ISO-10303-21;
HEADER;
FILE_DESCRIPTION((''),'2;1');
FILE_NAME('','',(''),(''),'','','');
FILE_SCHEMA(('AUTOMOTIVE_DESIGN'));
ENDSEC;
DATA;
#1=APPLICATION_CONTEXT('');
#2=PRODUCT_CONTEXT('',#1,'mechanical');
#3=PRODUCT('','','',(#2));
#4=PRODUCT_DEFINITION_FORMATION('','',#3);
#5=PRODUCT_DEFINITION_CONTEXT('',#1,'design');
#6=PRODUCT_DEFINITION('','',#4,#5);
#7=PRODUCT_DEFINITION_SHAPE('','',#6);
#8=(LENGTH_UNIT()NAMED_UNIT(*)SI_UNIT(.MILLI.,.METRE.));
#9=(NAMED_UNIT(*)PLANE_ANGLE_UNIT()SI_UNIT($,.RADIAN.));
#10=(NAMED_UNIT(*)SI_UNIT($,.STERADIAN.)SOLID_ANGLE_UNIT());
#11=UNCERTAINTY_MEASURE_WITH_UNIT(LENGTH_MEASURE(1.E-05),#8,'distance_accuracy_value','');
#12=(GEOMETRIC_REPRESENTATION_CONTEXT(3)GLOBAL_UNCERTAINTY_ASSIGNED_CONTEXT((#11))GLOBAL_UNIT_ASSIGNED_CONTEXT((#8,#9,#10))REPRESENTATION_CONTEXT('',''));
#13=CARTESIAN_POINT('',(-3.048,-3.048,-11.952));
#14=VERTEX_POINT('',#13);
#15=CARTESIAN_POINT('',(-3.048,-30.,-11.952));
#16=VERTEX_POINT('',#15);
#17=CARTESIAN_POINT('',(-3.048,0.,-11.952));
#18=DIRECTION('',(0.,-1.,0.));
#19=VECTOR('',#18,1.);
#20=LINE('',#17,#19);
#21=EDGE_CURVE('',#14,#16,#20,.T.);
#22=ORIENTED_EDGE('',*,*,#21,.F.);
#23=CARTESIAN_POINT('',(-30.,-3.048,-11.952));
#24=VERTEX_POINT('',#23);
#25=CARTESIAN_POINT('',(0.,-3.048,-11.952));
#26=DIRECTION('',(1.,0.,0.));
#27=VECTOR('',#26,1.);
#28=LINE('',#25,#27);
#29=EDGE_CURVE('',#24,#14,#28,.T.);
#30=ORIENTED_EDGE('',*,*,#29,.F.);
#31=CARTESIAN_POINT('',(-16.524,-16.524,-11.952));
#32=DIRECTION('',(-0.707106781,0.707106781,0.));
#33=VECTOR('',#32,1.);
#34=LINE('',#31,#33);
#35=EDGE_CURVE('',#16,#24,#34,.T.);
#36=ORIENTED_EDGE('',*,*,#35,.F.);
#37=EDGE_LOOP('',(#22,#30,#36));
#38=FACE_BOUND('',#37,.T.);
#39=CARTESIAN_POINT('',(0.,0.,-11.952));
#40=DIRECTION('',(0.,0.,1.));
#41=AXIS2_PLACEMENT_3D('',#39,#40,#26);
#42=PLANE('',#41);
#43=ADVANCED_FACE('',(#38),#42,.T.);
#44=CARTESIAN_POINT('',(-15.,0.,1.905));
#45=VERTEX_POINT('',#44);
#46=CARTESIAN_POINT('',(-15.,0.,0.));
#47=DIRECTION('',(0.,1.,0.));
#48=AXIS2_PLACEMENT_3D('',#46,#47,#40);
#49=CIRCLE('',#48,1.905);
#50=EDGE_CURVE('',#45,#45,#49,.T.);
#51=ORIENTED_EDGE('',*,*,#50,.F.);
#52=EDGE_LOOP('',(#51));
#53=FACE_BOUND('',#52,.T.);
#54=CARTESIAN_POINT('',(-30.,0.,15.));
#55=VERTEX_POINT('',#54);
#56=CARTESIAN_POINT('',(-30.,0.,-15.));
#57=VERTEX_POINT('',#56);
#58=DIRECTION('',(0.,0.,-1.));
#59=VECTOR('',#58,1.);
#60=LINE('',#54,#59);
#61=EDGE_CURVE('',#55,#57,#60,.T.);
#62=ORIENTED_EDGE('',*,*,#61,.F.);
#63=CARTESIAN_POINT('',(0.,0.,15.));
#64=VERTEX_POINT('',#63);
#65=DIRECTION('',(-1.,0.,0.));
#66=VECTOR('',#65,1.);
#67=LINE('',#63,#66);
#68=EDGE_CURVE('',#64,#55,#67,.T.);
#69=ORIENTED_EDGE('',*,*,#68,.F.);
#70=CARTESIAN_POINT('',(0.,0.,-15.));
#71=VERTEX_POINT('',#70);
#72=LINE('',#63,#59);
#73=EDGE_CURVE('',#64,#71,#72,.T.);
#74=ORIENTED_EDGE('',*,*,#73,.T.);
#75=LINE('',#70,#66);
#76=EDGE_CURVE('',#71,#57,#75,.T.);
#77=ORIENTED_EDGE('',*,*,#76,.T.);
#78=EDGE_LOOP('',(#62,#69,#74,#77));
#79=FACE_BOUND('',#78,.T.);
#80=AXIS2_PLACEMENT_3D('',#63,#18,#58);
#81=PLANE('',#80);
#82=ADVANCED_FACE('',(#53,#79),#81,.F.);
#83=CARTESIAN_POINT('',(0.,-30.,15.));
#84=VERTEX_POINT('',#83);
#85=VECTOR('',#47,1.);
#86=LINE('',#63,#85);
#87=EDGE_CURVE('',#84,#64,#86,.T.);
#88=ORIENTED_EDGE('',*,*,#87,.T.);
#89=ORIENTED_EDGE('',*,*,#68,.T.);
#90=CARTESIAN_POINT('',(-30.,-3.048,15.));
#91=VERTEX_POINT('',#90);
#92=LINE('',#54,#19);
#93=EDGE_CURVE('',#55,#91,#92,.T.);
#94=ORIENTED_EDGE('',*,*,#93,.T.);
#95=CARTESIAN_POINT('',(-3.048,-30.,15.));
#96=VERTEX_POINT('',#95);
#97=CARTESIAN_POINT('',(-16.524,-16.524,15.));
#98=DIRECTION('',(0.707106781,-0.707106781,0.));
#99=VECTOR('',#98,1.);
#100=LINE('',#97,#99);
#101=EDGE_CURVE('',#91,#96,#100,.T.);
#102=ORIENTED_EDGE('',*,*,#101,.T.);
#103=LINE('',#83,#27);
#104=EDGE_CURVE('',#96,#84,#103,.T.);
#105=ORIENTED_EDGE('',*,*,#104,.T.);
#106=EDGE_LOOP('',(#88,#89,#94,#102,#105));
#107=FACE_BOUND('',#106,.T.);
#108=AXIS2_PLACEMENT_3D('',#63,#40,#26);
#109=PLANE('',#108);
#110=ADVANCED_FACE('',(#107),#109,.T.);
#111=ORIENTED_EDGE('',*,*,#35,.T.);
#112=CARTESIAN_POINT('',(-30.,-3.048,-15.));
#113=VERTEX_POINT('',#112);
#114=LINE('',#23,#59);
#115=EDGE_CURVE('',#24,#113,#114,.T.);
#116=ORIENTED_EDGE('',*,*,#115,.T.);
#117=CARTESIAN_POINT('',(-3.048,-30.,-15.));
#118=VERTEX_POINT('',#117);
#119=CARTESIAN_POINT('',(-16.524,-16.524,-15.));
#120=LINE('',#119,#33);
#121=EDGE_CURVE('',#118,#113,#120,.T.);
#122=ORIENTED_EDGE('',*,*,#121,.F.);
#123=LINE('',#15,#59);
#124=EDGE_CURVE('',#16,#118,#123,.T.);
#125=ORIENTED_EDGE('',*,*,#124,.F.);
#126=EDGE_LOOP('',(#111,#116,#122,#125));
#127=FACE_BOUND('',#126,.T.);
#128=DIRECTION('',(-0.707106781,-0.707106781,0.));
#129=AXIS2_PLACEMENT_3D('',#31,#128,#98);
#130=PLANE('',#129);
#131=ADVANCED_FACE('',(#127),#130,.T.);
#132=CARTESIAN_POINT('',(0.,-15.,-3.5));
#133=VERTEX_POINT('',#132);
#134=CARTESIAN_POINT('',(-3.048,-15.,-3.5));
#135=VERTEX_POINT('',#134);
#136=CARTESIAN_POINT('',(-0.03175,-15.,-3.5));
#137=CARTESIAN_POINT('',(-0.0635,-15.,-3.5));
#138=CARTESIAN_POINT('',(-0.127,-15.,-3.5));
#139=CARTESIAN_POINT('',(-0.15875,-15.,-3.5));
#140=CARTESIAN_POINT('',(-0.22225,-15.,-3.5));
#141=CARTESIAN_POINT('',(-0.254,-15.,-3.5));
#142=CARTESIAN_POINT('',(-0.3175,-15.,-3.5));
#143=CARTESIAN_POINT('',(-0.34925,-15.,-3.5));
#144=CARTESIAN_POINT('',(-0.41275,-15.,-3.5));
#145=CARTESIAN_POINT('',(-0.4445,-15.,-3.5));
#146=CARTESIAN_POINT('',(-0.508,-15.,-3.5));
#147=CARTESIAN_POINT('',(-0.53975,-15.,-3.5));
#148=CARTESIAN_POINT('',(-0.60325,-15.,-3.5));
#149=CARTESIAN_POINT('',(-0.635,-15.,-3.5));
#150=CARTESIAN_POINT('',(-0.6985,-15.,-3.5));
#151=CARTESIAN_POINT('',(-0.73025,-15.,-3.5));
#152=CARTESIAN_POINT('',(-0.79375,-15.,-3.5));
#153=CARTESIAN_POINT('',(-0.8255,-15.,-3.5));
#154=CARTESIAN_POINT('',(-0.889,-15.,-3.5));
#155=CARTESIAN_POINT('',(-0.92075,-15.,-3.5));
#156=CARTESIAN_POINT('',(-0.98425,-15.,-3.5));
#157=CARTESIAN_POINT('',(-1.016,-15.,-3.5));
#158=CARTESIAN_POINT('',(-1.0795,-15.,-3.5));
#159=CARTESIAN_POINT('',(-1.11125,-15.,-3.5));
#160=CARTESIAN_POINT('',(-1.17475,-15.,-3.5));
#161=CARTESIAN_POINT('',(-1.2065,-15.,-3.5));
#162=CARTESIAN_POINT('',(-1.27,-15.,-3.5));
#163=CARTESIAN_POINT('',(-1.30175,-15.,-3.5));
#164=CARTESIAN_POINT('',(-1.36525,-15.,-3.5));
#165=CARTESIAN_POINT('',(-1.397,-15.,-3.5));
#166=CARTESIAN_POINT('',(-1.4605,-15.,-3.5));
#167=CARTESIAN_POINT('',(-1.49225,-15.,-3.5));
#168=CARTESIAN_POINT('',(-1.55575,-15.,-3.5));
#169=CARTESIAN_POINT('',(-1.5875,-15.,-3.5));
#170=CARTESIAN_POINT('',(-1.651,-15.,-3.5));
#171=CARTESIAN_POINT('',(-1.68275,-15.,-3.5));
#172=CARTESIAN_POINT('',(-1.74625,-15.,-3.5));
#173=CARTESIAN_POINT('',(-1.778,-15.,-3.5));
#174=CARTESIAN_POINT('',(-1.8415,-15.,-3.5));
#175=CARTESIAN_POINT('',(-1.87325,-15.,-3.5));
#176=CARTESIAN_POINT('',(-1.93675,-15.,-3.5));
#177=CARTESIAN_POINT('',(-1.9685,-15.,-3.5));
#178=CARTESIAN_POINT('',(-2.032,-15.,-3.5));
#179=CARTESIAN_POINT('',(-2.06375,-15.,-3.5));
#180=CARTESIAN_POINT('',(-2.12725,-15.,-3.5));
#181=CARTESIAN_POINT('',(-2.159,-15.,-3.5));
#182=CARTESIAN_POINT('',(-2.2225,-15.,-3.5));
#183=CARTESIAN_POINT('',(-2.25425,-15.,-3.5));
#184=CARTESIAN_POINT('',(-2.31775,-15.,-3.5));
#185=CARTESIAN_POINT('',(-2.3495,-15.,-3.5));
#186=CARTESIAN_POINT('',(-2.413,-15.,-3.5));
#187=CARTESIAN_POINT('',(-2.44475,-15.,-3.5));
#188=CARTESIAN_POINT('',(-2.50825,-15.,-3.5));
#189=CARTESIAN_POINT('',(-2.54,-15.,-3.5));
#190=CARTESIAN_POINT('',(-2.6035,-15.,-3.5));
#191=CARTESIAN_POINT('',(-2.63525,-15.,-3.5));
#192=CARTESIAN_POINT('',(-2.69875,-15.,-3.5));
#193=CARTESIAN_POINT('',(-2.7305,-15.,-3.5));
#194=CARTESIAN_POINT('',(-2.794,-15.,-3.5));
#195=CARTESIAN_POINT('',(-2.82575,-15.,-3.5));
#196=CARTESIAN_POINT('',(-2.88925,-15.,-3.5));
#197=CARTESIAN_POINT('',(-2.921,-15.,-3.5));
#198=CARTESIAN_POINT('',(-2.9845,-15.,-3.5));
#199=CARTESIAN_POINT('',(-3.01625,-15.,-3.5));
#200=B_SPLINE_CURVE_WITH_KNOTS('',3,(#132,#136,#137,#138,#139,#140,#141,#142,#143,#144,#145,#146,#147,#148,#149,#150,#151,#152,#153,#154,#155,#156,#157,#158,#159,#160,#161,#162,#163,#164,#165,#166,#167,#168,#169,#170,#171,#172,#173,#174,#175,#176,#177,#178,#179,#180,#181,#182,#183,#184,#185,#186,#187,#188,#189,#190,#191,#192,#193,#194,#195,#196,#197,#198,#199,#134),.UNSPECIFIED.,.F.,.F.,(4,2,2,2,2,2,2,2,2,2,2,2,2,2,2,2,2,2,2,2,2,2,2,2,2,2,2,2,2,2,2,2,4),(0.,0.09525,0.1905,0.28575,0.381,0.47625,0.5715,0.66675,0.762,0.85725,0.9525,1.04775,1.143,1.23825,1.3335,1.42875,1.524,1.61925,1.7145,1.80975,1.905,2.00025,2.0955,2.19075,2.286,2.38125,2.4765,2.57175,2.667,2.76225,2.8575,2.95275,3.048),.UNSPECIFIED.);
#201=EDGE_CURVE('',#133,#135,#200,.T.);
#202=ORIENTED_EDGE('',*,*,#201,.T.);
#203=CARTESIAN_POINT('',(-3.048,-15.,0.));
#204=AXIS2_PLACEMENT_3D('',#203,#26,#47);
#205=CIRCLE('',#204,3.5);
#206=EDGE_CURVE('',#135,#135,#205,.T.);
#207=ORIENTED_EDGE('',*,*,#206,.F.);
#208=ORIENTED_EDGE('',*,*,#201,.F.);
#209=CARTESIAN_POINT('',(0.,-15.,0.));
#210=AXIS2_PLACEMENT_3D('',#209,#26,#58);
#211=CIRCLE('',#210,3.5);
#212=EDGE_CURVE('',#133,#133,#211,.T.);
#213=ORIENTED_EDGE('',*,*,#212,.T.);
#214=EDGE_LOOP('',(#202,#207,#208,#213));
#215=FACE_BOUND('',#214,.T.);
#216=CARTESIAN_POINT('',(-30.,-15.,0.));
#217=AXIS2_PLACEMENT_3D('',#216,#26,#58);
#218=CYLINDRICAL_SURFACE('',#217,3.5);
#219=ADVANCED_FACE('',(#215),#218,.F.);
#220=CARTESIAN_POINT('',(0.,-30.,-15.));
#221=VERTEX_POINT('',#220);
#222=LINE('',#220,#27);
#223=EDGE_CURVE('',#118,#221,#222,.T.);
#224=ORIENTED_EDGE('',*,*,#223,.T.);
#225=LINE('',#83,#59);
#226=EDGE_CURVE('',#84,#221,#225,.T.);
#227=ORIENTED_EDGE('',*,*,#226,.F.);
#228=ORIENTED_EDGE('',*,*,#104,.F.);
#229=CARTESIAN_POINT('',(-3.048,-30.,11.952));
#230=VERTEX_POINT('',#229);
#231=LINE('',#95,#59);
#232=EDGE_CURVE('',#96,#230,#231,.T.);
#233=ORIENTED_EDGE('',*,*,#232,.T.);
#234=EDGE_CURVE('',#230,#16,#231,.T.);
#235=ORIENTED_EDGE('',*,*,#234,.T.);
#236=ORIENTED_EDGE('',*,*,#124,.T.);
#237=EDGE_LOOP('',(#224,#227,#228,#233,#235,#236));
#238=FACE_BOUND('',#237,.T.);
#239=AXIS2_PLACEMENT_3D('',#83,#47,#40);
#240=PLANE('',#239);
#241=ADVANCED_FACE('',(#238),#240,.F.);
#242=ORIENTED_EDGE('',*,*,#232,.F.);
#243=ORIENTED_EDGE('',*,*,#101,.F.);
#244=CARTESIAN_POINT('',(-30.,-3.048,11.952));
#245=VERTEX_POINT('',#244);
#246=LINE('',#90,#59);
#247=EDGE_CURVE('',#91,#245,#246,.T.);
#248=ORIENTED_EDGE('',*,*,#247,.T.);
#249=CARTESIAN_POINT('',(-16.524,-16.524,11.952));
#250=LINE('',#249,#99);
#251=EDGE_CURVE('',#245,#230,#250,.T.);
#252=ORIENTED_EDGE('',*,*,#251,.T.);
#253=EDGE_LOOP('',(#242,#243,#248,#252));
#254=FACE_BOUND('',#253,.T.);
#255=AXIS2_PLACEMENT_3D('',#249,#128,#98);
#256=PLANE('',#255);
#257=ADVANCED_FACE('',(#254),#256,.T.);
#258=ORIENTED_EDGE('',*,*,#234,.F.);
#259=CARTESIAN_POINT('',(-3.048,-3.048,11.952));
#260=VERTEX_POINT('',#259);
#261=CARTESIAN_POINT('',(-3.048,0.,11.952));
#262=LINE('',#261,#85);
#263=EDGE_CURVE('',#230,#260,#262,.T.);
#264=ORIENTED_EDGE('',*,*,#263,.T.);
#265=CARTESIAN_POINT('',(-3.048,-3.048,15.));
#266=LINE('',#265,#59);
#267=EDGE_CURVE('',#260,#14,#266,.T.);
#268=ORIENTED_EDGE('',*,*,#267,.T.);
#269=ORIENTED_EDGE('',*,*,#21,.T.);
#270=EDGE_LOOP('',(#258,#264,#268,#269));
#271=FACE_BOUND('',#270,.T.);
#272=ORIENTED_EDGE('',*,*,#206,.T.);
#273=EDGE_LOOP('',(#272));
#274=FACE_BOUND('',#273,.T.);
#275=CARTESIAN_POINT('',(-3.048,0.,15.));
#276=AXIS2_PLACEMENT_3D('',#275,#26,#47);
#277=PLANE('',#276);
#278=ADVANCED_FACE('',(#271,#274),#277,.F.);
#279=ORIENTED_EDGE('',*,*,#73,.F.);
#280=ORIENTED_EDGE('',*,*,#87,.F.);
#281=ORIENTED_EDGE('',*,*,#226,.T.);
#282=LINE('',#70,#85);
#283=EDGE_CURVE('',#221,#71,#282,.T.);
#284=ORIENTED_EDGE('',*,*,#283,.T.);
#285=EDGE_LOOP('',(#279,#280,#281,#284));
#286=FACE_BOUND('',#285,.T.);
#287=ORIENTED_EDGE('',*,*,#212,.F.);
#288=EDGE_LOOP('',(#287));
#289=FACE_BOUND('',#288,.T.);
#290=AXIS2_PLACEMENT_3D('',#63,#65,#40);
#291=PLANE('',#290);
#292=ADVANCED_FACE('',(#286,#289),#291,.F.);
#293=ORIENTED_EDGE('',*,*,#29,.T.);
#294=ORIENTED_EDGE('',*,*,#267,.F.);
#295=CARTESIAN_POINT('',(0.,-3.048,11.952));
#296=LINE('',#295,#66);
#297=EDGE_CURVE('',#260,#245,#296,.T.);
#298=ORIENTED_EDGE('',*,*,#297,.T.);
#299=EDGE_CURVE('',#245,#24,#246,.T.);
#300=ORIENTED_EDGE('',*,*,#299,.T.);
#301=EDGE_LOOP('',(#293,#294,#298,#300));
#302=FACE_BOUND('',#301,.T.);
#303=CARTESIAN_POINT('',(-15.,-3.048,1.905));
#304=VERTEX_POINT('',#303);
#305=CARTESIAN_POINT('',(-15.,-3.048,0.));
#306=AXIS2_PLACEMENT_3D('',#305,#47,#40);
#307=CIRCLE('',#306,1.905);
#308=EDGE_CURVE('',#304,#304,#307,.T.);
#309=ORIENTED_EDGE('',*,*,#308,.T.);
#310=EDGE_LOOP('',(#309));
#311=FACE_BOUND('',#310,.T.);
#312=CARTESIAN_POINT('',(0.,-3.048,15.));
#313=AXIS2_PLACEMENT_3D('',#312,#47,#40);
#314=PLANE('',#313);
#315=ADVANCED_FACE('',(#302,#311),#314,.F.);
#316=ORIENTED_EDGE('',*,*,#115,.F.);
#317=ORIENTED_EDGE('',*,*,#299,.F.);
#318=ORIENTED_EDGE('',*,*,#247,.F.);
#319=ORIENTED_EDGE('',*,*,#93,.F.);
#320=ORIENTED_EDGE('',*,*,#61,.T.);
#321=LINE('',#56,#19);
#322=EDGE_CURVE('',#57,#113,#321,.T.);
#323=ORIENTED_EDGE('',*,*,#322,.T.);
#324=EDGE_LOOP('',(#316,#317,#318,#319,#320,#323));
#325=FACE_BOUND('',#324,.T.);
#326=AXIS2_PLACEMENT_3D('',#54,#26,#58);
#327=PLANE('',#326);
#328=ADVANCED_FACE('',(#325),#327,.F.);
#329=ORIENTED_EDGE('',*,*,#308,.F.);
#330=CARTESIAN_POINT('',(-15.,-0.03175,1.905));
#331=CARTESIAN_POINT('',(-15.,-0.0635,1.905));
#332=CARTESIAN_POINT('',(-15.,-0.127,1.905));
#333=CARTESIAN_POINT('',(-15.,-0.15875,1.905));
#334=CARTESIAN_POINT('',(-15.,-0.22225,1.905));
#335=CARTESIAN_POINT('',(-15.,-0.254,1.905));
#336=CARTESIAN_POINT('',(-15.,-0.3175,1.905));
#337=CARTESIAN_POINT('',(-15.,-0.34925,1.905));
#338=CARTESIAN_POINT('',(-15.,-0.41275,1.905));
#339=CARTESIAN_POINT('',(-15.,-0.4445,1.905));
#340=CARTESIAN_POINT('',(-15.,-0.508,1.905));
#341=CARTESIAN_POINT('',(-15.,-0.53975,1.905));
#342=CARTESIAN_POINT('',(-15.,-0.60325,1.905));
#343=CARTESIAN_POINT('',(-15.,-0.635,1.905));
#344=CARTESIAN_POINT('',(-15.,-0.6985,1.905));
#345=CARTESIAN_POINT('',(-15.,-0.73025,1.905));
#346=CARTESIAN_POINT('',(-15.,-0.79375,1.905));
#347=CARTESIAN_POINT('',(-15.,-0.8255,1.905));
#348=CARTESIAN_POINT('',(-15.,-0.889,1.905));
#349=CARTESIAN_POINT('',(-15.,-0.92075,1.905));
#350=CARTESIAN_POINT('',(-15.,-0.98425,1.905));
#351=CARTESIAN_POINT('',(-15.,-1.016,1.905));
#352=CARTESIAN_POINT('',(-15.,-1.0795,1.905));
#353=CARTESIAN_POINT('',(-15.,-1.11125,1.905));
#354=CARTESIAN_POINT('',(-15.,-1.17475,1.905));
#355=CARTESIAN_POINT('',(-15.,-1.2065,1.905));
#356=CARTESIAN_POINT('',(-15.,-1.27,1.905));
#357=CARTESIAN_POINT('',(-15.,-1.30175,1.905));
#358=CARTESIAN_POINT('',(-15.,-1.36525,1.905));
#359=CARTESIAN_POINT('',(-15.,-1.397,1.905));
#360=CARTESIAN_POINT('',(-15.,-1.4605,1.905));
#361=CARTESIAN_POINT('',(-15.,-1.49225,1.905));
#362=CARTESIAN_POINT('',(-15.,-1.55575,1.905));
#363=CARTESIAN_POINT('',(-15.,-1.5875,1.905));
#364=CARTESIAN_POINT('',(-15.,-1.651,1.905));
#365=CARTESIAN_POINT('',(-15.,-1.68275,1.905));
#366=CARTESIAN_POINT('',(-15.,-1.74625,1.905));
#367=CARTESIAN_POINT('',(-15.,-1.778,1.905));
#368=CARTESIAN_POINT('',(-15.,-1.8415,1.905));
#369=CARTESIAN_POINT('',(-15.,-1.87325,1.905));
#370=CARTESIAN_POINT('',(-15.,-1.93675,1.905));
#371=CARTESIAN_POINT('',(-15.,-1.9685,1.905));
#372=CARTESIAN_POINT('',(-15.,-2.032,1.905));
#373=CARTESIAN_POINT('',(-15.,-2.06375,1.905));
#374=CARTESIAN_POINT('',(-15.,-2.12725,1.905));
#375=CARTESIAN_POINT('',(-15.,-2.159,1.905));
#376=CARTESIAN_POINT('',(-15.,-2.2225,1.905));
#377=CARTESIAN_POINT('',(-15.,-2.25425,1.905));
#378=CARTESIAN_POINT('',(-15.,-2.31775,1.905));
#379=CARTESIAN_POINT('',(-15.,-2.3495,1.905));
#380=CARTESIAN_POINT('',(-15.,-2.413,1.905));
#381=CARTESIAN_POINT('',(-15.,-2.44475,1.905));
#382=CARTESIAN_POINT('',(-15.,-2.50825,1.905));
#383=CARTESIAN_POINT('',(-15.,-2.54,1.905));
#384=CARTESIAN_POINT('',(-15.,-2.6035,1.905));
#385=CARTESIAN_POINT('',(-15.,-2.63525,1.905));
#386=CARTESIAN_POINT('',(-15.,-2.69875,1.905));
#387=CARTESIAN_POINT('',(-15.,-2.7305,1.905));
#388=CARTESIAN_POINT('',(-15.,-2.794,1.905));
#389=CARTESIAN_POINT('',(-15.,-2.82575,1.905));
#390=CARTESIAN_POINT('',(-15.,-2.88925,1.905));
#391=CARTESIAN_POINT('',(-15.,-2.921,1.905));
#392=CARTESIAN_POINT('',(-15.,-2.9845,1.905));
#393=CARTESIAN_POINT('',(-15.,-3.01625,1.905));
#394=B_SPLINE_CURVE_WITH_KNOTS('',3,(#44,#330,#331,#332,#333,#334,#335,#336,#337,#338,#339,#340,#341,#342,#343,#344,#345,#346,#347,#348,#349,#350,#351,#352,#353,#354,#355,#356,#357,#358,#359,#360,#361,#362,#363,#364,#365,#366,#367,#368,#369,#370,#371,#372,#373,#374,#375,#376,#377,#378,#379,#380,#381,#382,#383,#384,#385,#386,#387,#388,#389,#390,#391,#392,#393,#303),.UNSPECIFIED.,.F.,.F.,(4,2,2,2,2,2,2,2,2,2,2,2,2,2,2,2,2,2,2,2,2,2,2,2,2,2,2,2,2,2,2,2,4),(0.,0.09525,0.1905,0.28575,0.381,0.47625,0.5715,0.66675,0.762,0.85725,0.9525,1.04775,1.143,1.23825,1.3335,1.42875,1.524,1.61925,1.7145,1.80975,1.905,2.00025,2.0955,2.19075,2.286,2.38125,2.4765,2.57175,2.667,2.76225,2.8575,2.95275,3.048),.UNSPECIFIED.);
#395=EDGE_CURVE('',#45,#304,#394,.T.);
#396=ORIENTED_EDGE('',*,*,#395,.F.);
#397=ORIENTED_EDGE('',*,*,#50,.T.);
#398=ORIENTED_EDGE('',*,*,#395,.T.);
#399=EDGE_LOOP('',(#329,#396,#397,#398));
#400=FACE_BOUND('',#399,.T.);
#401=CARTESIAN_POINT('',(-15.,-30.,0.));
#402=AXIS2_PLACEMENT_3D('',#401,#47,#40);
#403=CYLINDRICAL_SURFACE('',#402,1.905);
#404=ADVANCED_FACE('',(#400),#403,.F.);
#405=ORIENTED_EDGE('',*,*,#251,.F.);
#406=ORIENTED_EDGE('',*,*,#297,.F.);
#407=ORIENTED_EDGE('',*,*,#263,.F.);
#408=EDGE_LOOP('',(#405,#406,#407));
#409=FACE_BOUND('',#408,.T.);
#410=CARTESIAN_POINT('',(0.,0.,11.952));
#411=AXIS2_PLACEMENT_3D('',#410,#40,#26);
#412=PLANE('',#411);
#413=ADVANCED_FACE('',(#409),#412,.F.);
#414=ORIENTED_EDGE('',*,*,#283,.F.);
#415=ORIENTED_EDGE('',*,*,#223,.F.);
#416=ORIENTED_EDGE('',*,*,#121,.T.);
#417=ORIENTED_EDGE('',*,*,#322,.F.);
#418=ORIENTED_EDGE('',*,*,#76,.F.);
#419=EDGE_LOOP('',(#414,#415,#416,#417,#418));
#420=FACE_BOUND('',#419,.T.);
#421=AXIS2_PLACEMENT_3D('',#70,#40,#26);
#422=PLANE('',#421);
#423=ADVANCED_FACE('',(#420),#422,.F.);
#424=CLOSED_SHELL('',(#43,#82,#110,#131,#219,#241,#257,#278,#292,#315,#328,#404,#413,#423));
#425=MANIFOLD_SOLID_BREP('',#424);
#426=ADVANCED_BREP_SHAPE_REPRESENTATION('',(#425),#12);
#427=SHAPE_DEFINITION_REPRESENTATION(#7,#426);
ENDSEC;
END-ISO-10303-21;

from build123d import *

# Parameters (mm, degrees)
BOSS_EXTRUDE1_DEPTH = 15
BOSS_EXTRUDE2_START = 15
BOSS_EXTRUDE2_DEPTH = 3.048
BOSS_EXTRUDE3_START = -15
BOSS_EXTRUDE3_DEPTH = 3.048
SKETCH2_R           = 1.905
CUT_EXTRUDE1_DEPTH  = 46
SKETCH3_R           = 3.5
CUT_EXTRUDE2_DEPTH  = 46


with BuildPart() as part:
    # Sketch1 → Boss-Extrude1 (new, symmetric)
    with BuildSketch(Plane.XY):
        Polygon((-3.048, -30), (0, -30), (0, 0), (-30, 0), (-30, -3.048), (-3.048, -3.048), align=None)
    extrude(amount=BOSS_EXTRUDE1_DEPTH, both=True)

    # Sketch1<3> → Boss-Extrude2 (add)
    with BuildSketch(Plane.XY.offset(BOSS_EXTRUDE2_START)):
        Polygon((-3.048, -30), (-30, -3.048), (-3.048, -3.048), align=None)
    extrude(amount=-BOSS_EXTRUDE2_DEPTH)

    # Sketch1<4> → Boss-Extrude3 (add)
    with BuildSketch(Plane.XY.offset(BOSS_EXTRUDE3_START)):
        Polygon((-3.048, -30), (-30, -3.048), (-3.048, -3.048), align=None)
    extrude(amount=BOSS_EXTRUDE3_DEPTH)

    # Sketch2 → Cut-Extrude1 (cut, through all)
    with BuildSketch(Plane(origin=(0, 0, 0), x_dir=(1, 0, 0), z_dir=(0, 1, 0))):
        with Locations(Location((-15, 0, 0), (0, 0, 270))):
            Circle(SKETCH2_R)
    extrude(amount=-CUT_EXTRUDE1_DEPTH, mode=Mode.SUBTRACT)

    # Sketch3 → Cut-Extrude2 (cut, through all)
    with BuildSketch(Plane(origin=(0, 0, 0), x_dir=(0, 0, -1), z_dir=(1, 0, 0))):
        with Locations((0, -15)):
            Circle(SKETCH3_R)
    extrude(amount=-CUT_EXTRUDE2_DEPTH, mode=Mode.SUBTRACT)


solid = part.part
